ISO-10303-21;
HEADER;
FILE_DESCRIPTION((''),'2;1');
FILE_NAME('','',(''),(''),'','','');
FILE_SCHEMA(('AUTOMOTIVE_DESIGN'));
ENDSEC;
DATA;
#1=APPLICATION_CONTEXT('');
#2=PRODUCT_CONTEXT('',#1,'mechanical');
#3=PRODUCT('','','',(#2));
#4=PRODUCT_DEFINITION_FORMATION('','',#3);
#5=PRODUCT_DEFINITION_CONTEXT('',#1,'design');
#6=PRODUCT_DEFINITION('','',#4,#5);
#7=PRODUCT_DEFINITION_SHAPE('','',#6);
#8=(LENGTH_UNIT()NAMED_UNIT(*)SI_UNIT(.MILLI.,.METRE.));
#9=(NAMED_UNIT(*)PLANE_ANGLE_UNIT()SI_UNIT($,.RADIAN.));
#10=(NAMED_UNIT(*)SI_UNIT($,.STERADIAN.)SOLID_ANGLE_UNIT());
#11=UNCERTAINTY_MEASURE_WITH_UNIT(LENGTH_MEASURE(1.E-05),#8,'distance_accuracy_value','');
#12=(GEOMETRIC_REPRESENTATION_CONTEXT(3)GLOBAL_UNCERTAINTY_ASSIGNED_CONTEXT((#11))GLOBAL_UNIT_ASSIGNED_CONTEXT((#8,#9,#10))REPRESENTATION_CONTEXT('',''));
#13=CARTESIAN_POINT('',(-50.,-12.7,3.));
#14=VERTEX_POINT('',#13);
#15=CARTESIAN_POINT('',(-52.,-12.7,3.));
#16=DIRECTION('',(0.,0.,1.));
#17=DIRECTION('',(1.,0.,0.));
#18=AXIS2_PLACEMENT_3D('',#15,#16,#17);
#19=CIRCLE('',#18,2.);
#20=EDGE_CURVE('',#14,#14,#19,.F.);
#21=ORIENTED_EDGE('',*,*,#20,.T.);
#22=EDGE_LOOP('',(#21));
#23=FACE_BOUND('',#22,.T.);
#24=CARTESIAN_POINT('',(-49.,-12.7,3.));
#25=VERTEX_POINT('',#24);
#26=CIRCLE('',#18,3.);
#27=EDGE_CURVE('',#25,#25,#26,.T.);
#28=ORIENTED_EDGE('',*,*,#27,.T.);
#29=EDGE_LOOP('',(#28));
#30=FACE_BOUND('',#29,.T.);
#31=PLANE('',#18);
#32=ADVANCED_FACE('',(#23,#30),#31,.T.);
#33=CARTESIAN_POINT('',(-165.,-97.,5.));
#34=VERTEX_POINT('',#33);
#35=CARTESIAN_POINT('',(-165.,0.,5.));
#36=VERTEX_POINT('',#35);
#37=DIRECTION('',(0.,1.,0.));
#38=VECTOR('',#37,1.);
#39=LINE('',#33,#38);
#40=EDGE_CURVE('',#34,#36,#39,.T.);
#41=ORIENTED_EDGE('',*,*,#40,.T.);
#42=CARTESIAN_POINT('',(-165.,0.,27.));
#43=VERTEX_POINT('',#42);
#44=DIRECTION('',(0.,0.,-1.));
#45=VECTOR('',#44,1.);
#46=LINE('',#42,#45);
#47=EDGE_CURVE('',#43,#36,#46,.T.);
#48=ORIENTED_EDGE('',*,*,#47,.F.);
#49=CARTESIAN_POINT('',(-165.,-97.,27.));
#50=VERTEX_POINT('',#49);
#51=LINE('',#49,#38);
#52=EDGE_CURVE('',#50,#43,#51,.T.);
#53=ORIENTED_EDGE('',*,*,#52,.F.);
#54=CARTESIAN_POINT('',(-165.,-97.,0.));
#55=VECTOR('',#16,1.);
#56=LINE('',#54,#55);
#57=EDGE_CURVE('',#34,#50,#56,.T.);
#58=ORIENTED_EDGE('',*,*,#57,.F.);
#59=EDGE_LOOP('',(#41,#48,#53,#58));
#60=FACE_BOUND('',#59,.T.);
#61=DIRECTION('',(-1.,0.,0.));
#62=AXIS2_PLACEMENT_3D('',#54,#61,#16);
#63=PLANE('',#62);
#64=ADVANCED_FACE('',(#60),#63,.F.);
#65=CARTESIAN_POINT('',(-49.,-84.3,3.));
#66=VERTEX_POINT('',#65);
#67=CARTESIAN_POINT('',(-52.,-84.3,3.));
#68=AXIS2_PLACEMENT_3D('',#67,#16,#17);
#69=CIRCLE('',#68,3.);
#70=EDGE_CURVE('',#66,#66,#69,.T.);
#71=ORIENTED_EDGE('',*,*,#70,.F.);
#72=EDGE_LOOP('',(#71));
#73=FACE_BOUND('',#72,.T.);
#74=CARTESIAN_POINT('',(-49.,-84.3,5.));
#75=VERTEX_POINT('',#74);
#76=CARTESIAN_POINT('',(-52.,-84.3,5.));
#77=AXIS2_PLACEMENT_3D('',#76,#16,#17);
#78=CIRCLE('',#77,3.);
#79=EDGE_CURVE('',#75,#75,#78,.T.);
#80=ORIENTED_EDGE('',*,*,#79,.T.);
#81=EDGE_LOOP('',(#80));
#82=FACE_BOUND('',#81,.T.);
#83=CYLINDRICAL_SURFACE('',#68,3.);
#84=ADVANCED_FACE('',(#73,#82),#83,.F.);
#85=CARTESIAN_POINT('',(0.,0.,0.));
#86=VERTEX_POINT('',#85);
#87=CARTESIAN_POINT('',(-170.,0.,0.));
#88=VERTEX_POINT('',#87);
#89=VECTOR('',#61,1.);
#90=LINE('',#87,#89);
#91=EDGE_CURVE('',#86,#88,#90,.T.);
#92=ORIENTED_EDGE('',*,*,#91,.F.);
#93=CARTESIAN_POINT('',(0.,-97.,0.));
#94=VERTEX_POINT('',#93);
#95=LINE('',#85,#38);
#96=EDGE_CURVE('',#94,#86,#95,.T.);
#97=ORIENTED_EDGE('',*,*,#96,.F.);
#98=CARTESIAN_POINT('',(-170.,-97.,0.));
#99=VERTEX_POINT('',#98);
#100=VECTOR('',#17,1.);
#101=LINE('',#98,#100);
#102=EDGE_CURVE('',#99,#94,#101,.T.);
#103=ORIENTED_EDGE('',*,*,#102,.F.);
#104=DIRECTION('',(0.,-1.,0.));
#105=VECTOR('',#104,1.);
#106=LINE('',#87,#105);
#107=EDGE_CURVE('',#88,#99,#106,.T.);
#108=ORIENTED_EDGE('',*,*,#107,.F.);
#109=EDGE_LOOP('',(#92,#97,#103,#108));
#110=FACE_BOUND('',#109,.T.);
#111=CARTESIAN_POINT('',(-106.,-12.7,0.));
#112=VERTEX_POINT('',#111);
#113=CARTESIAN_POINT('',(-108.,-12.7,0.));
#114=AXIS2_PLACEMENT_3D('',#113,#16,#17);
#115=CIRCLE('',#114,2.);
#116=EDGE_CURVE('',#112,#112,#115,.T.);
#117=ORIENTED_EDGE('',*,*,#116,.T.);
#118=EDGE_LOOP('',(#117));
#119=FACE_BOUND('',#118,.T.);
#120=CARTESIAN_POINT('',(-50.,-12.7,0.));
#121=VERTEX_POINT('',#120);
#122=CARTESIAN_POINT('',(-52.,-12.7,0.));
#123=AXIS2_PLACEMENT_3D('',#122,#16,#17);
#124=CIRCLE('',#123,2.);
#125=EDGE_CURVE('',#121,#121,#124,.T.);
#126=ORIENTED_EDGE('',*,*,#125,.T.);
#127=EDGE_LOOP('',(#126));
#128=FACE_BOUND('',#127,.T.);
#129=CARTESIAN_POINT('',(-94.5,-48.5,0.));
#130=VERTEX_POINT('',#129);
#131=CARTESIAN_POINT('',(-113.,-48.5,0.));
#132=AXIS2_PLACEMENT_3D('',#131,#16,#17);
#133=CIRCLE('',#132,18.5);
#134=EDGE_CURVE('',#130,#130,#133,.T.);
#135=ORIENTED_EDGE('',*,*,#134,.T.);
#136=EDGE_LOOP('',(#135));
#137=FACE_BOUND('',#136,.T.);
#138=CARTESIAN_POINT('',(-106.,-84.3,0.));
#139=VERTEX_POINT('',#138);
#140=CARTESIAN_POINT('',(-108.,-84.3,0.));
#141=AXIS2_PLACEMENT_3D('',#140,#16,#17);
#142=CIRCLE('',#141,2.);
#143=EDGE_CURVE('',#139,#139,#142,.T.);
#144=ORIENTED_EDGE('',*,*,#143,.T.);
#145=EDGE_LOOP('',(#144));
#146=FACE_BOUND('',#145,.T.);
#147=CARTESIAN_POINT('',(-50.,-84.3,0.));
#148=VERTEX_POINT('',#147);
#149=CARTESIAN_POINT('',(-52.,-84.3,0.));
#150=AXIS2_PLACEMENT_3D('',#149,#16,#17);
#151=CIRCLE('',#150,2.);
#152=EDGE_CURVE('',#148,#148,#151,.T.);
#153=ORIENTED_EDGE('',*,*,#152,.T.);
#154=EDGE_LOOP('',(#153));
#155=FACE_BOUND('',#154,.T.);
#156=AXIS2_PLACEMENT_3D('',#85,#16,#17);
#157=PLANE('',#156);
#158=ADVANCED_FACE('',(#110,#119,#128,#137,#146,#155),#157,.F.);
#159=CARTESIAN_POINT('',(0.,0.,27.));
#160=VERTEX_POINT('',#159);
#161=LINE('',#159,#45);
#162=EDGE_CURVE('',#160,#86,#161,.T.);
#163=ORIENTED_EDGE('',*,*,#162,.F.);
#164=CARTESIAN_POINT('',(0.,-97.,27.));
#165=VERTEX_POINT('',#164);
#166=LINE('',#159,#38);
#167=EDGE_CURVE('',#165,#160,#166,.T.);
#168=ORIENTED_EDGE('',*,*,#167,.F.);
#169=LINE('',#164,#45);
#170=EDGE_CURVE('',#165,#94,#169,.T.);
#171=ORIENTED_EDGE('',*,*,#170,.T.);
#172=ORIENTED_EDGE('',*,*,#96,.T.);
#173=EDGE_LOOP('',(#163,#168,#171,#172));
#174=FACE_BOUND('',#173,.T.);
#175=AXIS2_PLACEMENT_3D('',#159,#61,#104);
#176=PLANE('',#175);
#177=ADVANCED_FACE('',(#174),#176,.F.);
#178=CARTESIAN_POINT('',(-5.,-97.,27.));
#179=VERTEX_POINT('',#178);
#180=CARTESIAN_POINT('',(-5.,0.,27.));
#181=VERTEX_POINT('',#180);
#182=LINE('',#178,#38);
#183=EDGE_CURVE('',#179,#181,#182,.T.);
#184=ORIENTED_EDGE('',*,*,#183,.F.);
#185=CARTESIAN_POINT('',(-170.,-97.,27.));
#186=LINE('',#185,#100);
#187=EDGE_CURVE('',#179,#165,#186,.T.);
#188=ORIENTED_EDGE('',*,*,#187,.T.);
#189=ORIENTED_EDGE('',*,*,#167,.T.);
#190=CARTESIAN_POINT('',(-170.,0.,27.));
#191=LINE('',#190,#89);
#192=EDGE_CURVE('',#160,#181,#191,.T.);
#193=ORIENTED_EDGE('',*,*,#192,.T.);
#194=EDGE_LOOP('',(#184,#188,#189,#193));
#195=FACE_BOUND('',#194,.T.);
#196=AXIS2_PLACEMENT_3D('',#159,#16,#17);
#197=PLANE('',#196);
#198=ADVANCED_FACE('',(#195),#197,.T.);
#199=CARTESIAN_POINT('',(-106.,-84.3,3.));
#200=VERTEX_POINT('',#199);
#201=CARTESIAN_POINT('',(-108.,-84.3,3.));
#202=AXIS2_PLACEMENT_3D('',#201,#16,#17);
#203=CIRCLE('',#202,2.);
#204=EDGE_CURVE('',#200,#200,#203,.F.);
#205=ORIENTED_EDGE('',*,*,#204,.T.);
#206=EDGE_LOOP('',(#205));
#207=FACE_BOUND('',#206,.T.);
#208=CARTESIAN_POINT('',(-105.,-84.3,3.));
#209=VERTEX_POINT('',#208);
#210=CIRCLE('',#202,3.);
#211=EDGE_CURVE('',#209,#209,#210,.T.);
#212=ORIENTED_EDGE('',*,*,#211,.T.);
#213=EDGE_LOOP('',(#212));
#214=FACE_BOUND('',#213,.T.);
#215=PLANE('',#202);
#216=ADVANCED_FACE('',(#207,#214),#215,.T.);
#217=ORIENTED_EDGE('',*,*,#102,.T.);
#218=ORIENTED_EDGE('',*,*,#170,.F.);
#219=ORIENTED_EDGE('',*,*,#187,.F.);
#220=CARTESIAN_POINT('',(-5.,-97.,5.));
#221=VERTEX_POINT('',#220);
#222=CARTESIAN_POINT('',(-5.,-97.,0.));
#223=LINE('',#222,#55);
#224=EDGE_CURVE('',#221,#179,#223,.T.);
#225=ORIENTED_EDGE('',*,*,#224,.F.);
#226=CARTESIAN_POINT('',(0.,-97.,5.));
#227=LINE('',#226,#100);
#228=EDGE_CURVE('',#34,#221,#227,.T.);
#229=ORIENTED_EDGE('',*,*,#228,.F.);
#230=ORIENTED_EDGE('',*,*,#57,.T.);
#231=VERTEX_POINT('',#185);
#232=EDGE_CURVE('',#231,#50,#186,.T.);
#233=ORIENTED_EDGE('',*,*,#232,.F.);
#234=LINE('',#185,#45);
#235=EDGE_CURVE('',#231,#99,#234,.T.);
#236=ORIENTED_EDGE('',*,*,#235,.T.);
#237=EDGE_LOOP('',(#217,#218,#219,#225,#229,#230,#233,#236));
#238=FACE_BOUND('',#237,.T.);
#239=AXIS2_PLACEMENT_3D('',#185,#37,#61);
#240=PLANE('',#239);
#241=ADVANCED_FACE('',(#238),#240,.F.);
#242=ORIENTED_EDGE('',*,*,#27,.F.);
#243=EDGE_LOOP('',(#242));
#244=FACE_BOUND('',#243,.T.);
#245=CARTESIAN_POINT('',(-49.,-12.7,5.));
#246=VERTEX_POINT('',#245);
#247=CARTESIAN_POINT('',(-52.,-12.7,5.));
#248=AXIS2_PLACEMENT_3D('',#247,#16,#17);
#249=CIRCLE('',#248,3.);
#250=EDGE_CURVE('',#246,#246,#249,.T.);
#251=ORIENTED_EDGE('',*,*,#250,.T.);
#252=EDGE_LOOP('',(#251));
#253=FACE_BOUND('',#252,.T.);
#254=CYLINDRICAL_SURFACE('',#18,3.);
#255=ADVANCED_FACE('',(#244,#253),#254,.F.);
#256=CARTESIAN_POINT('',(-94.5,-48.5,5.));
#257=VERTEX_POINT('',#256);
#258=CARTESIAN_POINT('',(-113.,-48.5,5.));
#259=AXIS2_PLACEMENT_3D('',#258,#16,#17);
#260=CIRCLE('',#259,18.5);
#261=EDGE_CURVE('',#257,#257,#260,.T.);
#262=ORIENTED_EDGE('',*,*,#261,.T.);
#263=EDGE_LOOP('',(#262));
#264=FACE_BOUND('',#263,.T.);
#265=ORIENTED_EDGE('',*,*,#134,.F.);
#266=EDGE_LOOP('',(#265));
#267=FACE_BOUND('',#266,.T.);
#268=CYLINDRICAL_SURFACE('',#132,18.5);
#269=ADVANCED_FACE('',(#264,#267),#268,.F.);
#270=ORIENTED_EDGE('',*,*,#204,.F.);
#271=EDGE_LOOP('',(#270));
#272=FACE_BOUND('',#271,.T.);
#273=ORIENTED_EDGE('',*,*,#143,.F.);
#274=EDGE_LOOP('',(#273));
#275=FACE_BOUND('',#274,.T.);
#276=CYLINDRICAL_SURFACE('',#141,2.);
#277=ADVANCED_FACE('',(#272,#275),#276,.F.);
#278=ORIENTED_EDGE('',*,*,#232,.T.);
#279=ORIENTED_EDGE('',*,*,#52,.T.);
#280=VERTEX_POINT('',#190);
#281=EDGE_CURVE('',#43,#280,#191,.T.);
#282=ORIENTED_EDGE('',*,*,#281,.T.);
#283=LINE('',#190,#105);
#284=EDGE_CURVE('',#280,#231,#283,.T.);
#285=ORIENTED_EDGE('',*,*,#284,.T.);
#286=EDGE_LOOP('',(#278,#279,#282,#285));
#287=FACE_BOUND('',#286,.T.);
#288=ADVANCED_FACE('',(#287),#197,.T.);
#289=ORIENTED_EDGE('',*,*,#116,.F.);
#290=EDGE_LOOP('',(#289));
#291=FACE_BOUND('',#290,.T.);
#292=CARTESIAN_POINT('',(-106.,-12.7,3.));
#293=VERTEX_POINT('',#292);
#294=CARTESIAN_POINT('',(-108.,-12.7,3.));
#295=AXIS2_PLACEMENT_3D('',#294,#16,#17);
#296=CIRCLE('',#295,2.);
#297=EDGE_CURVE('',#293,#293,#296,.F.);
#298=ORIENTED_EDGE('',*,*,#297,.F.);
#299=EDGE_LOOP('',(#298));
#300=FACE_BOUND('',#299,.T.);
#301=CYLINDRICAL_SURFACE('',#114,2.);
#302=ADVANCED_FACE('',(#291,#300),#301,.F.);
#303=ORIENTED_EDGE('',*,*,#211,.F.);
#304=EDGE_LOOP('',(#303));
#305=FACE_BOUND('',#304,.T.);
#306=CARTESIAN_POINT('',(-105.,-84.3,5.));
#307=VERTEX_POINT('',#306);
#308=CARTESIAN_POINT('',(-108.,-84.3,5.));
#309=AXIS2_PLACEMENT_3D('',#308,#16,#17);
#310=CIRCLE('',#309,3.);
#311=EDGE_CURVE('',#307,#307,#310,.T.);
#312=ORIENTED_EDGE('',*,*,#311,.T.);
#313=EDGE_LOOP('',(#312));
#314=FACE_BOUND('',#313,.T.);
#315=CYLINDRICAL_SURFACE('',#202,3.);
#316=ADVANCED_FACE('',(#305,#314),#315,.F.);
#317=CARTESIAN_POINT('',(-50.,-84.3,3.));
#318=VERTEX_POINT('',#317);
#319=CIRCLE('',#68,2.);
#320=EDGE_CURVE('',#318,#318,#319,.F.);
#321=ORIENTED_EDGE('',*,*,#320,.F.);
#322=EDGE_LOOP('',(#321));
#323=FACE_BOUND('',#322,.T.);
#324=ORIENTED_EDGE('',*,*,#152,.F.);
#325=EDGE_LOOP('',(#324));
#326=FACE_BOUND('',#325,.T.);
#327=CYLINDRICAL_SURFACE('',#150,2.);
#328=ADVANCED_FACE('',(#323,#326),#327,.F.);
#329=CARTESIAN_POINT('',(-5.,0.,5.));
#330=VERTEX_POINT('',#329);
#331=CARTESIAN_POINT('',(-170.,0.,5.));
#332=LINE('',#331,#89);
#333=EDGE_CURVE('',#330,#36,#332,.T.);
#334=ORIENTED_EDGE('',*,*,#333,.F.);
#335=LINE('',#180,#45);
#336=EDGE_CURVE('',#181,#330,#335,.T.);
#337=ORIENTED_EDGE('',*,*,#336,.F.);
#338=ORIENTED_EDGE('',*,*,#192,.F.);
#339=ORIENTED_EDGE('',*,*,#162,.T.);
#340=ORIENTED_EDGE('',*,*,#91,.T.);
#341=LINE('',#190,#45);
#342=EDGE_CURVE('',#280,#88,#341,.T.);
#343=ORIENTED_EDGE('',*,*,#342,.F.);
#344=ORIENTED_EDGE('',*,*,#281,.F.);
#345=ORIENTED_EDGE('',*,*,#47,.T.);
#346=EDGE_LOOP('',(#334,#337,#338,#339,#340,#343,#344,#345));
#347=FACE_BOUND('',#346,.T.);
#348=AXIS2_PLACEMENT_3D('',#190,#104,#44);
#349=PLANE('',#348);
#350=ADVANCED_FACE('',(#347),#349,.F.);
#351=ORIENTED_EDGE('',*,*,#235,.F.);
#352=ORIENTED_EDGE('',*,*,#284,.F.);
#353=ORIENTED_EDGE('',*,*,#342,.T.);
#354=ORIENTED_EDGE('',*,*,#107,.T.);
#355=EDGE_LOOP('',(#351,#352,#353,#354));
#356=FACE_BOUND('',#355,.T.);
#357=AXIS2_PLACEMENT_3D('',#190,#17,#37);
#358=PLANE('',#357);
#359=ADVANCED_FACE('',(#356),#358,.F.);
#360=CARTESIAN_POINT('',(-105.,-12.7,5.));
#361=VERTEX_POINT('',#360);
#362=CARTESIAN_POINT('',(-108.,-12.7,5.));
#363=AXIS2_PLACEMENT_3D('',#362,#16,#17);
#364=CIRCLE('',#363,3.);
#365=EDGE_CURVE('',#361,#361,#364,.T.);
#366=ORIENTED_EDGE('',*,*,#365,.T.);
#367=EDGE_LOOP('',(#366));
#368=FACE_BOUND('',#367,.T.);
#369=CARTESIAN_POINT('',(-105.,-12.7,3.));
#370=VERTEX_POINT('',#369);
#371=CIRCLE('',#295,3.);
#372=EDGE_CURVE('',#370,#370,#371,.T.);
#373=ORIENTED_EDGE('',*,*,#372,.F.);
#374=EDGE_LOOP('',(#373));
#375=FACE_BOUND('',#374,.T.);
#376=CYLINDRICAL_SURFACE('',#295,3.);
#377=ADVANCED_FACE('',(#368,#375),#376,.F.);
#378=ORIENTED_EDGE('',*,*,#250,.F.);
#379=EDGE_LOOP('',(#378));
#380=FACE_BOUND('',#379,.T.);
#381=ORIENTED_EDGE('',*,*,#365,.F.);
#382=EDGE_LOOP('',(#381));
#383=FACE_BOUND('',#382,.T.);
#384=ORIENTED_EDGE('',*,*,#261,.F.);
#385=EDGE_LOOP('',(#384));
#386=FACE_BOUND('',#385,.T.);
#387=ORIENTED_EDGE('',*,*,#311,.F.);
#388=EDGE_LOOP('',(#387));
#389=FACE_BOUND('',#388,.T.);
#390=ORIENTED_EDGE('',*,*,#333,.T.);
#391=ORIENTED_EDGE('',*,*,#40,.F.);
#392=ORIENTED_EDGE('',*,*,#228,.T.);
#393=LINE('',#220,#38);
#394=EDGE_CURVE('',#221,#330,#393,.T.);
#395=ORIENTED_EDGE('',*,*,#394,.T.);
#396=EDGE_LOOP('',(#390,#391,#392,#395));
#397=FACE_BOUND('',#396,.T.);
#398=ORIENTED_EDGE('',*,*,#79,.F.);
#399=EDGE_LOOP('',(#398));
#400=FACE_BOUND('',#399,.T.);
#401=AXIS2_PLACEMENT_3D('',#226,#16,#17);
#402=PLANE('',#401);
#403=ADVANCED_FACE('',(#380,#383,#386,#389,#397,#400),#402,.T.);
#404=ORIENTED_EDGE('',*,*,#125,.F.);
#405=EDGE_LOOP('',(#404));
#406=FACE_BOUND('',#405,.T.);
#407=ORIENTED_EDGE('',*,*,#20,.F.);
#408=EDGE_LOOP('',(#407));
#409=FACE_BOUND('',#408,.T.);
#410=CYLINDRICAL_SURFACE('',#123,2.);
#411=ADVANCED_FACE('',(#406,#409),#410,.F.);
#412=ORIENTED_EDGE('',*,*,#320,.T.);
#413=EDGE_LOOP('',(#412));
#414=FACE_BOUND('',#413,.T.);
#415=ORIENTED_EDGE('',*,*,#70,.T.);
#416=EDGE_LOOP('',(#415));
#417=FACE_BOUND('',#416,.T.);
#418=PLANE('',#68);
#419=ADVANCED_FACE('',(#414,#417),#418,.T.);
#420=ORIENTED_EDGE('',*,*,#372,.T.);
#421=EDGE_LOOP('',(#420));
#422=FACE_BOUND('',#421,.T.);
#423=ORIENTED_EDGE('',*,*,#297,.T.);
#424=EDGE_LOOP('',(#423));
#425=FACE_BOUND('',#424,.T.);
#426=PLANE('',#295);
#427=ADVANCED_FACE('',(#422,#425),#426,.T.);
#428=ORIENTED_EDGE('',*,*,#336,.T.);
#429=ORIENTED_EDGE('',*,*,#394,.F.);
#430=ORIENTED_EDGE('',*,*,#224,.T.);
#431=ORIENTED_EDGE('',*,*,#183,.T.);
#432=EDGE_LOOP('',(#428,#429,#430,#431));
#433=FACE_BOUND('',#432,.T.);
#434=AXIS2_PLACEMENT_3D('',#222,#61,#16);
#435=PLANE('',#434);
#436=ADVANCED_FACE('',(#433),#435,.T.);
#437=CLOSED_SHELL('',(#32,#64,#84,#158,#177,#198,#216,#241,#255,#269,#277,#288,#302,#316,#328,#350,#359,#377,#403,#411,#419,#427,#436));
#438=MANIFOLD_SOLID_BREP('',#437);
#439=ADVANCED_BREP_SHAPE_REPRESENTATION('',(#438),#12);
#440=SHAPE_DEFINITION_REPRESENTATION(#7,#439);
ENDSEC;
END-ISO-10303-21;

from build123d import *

# Parameters (mm, degrees)
SKETCH_1_W               = 170
SKETCH_1_H               = 97
EXTRUDE_1_DEPTH          = 27
CUT_EXTRUDE_1_DEPTH      = 198.580363397
CUT_EXTRUDE_1_DEPTH_BACK = 198.580363397
SKETCH_4_W               = 2
SKETCH_4_H               = 2
CUT_EXTRUDE_2_DEPTH      = 198.580363397
SKETCH_5_R               = 18.5
SKETCH_5_R_2             = 2
CUT_EXTRUDE_3_DEPTH      = 197.959386677
SKETCH_6_R               = 3
CUT_EXTRUDE_4_DEPTH      = 2


with BuildPart() as part:
    # 草图1 → 凸台-拉伸1 (new body)
    with BuildSketch(Plane.XY):
        with Locations((-85, -48.5)):
            Rectangle(SKETCH_1_W, SKETCH_1_H)
    extrude(amount=EXTRUDE_1_DEPTH)

    # 草图2 → 切除-拉伸1 (cut, two sides: drawn at the far end of the back side and taken through both)
    with BuildSketch(Plane(origin=(0, 0, 0), x_dir=(1, 0, 0), z_dir=(0, 1, 0)).offset(-CUT_EXTRUDE_1_DEPTH_BACK)):
        Polygon((-5, -5), (-165, -5), (-165, -25), (-163, -25), (-163, -27), (-7, -27), (-7, -25), (-5, -25), align=None)
    extrude(amount=CUT_EXTRUDE_1_DEPTH + CUT_EXTRUDE_1_DEPTH_BACK, mode=Mode.SUBTRACT)

    # 草图4 → 切除-拉伸2 (cut, through all)
    with BuildSketch(Plane(origin=(0, 0, 0), x_dir=(1, 0, 0), z_dir=(0, 1, 0))):
        with Locations((-6, -26)):
            Rectangle(SKETCH_4_W, SKETCH_4_H)
        with Locations((-164, -26)):
            Rectangle(SKETCH_4_W, SKETCH_4_H)
    extrude(amount=-CUT_EXTRUDE_2_DEPTH, mode=Mode.SUBTRACT)

    # 草图5 → 切除-拉伸3 (cut, through all)
    with BuildSketch(Plane.XY.offset(5)):
        with Locations((-113, -48.5)):
            Circle(SKETCH_5_R)
        with Locations((-108, -12.7)):
            Circle(SKETCH_5_R_2)
        with Locations((-108, -84.3)):
            Circle(SKETCH_5_R_2)
        with Locations((-52, -12.7)):
            Circle(SKETCH_5_R_2)
        with Locations((-52, -84.3)):
            Circle(SKETCH_5_R_2)
    extrude(amount=-CUT_EXTRUDE_3_DEPTH, mode=Mode.SUBTRACT)

    # 草图6 → 切除-拉伸4 (cut)
    with BuildSketch(Plane.XY.offset(5)):
        with Locations((-108, -12.7)):
            Circle(SKETCH_6_R)
        with Locations((-52, -12.7)):
            Circle(SKETCH_6_R)
        with Locations((-108, -84.3)):
            Circle(SKETCH_6_R)
        with Locations((-52, -84.3)):
            Circle(SKETCH_6_R)
    extrude(amount=-CUT_EXTRUDE_4_DEPTH, mode=Mode.SUBTRACT)


solid = part.part
